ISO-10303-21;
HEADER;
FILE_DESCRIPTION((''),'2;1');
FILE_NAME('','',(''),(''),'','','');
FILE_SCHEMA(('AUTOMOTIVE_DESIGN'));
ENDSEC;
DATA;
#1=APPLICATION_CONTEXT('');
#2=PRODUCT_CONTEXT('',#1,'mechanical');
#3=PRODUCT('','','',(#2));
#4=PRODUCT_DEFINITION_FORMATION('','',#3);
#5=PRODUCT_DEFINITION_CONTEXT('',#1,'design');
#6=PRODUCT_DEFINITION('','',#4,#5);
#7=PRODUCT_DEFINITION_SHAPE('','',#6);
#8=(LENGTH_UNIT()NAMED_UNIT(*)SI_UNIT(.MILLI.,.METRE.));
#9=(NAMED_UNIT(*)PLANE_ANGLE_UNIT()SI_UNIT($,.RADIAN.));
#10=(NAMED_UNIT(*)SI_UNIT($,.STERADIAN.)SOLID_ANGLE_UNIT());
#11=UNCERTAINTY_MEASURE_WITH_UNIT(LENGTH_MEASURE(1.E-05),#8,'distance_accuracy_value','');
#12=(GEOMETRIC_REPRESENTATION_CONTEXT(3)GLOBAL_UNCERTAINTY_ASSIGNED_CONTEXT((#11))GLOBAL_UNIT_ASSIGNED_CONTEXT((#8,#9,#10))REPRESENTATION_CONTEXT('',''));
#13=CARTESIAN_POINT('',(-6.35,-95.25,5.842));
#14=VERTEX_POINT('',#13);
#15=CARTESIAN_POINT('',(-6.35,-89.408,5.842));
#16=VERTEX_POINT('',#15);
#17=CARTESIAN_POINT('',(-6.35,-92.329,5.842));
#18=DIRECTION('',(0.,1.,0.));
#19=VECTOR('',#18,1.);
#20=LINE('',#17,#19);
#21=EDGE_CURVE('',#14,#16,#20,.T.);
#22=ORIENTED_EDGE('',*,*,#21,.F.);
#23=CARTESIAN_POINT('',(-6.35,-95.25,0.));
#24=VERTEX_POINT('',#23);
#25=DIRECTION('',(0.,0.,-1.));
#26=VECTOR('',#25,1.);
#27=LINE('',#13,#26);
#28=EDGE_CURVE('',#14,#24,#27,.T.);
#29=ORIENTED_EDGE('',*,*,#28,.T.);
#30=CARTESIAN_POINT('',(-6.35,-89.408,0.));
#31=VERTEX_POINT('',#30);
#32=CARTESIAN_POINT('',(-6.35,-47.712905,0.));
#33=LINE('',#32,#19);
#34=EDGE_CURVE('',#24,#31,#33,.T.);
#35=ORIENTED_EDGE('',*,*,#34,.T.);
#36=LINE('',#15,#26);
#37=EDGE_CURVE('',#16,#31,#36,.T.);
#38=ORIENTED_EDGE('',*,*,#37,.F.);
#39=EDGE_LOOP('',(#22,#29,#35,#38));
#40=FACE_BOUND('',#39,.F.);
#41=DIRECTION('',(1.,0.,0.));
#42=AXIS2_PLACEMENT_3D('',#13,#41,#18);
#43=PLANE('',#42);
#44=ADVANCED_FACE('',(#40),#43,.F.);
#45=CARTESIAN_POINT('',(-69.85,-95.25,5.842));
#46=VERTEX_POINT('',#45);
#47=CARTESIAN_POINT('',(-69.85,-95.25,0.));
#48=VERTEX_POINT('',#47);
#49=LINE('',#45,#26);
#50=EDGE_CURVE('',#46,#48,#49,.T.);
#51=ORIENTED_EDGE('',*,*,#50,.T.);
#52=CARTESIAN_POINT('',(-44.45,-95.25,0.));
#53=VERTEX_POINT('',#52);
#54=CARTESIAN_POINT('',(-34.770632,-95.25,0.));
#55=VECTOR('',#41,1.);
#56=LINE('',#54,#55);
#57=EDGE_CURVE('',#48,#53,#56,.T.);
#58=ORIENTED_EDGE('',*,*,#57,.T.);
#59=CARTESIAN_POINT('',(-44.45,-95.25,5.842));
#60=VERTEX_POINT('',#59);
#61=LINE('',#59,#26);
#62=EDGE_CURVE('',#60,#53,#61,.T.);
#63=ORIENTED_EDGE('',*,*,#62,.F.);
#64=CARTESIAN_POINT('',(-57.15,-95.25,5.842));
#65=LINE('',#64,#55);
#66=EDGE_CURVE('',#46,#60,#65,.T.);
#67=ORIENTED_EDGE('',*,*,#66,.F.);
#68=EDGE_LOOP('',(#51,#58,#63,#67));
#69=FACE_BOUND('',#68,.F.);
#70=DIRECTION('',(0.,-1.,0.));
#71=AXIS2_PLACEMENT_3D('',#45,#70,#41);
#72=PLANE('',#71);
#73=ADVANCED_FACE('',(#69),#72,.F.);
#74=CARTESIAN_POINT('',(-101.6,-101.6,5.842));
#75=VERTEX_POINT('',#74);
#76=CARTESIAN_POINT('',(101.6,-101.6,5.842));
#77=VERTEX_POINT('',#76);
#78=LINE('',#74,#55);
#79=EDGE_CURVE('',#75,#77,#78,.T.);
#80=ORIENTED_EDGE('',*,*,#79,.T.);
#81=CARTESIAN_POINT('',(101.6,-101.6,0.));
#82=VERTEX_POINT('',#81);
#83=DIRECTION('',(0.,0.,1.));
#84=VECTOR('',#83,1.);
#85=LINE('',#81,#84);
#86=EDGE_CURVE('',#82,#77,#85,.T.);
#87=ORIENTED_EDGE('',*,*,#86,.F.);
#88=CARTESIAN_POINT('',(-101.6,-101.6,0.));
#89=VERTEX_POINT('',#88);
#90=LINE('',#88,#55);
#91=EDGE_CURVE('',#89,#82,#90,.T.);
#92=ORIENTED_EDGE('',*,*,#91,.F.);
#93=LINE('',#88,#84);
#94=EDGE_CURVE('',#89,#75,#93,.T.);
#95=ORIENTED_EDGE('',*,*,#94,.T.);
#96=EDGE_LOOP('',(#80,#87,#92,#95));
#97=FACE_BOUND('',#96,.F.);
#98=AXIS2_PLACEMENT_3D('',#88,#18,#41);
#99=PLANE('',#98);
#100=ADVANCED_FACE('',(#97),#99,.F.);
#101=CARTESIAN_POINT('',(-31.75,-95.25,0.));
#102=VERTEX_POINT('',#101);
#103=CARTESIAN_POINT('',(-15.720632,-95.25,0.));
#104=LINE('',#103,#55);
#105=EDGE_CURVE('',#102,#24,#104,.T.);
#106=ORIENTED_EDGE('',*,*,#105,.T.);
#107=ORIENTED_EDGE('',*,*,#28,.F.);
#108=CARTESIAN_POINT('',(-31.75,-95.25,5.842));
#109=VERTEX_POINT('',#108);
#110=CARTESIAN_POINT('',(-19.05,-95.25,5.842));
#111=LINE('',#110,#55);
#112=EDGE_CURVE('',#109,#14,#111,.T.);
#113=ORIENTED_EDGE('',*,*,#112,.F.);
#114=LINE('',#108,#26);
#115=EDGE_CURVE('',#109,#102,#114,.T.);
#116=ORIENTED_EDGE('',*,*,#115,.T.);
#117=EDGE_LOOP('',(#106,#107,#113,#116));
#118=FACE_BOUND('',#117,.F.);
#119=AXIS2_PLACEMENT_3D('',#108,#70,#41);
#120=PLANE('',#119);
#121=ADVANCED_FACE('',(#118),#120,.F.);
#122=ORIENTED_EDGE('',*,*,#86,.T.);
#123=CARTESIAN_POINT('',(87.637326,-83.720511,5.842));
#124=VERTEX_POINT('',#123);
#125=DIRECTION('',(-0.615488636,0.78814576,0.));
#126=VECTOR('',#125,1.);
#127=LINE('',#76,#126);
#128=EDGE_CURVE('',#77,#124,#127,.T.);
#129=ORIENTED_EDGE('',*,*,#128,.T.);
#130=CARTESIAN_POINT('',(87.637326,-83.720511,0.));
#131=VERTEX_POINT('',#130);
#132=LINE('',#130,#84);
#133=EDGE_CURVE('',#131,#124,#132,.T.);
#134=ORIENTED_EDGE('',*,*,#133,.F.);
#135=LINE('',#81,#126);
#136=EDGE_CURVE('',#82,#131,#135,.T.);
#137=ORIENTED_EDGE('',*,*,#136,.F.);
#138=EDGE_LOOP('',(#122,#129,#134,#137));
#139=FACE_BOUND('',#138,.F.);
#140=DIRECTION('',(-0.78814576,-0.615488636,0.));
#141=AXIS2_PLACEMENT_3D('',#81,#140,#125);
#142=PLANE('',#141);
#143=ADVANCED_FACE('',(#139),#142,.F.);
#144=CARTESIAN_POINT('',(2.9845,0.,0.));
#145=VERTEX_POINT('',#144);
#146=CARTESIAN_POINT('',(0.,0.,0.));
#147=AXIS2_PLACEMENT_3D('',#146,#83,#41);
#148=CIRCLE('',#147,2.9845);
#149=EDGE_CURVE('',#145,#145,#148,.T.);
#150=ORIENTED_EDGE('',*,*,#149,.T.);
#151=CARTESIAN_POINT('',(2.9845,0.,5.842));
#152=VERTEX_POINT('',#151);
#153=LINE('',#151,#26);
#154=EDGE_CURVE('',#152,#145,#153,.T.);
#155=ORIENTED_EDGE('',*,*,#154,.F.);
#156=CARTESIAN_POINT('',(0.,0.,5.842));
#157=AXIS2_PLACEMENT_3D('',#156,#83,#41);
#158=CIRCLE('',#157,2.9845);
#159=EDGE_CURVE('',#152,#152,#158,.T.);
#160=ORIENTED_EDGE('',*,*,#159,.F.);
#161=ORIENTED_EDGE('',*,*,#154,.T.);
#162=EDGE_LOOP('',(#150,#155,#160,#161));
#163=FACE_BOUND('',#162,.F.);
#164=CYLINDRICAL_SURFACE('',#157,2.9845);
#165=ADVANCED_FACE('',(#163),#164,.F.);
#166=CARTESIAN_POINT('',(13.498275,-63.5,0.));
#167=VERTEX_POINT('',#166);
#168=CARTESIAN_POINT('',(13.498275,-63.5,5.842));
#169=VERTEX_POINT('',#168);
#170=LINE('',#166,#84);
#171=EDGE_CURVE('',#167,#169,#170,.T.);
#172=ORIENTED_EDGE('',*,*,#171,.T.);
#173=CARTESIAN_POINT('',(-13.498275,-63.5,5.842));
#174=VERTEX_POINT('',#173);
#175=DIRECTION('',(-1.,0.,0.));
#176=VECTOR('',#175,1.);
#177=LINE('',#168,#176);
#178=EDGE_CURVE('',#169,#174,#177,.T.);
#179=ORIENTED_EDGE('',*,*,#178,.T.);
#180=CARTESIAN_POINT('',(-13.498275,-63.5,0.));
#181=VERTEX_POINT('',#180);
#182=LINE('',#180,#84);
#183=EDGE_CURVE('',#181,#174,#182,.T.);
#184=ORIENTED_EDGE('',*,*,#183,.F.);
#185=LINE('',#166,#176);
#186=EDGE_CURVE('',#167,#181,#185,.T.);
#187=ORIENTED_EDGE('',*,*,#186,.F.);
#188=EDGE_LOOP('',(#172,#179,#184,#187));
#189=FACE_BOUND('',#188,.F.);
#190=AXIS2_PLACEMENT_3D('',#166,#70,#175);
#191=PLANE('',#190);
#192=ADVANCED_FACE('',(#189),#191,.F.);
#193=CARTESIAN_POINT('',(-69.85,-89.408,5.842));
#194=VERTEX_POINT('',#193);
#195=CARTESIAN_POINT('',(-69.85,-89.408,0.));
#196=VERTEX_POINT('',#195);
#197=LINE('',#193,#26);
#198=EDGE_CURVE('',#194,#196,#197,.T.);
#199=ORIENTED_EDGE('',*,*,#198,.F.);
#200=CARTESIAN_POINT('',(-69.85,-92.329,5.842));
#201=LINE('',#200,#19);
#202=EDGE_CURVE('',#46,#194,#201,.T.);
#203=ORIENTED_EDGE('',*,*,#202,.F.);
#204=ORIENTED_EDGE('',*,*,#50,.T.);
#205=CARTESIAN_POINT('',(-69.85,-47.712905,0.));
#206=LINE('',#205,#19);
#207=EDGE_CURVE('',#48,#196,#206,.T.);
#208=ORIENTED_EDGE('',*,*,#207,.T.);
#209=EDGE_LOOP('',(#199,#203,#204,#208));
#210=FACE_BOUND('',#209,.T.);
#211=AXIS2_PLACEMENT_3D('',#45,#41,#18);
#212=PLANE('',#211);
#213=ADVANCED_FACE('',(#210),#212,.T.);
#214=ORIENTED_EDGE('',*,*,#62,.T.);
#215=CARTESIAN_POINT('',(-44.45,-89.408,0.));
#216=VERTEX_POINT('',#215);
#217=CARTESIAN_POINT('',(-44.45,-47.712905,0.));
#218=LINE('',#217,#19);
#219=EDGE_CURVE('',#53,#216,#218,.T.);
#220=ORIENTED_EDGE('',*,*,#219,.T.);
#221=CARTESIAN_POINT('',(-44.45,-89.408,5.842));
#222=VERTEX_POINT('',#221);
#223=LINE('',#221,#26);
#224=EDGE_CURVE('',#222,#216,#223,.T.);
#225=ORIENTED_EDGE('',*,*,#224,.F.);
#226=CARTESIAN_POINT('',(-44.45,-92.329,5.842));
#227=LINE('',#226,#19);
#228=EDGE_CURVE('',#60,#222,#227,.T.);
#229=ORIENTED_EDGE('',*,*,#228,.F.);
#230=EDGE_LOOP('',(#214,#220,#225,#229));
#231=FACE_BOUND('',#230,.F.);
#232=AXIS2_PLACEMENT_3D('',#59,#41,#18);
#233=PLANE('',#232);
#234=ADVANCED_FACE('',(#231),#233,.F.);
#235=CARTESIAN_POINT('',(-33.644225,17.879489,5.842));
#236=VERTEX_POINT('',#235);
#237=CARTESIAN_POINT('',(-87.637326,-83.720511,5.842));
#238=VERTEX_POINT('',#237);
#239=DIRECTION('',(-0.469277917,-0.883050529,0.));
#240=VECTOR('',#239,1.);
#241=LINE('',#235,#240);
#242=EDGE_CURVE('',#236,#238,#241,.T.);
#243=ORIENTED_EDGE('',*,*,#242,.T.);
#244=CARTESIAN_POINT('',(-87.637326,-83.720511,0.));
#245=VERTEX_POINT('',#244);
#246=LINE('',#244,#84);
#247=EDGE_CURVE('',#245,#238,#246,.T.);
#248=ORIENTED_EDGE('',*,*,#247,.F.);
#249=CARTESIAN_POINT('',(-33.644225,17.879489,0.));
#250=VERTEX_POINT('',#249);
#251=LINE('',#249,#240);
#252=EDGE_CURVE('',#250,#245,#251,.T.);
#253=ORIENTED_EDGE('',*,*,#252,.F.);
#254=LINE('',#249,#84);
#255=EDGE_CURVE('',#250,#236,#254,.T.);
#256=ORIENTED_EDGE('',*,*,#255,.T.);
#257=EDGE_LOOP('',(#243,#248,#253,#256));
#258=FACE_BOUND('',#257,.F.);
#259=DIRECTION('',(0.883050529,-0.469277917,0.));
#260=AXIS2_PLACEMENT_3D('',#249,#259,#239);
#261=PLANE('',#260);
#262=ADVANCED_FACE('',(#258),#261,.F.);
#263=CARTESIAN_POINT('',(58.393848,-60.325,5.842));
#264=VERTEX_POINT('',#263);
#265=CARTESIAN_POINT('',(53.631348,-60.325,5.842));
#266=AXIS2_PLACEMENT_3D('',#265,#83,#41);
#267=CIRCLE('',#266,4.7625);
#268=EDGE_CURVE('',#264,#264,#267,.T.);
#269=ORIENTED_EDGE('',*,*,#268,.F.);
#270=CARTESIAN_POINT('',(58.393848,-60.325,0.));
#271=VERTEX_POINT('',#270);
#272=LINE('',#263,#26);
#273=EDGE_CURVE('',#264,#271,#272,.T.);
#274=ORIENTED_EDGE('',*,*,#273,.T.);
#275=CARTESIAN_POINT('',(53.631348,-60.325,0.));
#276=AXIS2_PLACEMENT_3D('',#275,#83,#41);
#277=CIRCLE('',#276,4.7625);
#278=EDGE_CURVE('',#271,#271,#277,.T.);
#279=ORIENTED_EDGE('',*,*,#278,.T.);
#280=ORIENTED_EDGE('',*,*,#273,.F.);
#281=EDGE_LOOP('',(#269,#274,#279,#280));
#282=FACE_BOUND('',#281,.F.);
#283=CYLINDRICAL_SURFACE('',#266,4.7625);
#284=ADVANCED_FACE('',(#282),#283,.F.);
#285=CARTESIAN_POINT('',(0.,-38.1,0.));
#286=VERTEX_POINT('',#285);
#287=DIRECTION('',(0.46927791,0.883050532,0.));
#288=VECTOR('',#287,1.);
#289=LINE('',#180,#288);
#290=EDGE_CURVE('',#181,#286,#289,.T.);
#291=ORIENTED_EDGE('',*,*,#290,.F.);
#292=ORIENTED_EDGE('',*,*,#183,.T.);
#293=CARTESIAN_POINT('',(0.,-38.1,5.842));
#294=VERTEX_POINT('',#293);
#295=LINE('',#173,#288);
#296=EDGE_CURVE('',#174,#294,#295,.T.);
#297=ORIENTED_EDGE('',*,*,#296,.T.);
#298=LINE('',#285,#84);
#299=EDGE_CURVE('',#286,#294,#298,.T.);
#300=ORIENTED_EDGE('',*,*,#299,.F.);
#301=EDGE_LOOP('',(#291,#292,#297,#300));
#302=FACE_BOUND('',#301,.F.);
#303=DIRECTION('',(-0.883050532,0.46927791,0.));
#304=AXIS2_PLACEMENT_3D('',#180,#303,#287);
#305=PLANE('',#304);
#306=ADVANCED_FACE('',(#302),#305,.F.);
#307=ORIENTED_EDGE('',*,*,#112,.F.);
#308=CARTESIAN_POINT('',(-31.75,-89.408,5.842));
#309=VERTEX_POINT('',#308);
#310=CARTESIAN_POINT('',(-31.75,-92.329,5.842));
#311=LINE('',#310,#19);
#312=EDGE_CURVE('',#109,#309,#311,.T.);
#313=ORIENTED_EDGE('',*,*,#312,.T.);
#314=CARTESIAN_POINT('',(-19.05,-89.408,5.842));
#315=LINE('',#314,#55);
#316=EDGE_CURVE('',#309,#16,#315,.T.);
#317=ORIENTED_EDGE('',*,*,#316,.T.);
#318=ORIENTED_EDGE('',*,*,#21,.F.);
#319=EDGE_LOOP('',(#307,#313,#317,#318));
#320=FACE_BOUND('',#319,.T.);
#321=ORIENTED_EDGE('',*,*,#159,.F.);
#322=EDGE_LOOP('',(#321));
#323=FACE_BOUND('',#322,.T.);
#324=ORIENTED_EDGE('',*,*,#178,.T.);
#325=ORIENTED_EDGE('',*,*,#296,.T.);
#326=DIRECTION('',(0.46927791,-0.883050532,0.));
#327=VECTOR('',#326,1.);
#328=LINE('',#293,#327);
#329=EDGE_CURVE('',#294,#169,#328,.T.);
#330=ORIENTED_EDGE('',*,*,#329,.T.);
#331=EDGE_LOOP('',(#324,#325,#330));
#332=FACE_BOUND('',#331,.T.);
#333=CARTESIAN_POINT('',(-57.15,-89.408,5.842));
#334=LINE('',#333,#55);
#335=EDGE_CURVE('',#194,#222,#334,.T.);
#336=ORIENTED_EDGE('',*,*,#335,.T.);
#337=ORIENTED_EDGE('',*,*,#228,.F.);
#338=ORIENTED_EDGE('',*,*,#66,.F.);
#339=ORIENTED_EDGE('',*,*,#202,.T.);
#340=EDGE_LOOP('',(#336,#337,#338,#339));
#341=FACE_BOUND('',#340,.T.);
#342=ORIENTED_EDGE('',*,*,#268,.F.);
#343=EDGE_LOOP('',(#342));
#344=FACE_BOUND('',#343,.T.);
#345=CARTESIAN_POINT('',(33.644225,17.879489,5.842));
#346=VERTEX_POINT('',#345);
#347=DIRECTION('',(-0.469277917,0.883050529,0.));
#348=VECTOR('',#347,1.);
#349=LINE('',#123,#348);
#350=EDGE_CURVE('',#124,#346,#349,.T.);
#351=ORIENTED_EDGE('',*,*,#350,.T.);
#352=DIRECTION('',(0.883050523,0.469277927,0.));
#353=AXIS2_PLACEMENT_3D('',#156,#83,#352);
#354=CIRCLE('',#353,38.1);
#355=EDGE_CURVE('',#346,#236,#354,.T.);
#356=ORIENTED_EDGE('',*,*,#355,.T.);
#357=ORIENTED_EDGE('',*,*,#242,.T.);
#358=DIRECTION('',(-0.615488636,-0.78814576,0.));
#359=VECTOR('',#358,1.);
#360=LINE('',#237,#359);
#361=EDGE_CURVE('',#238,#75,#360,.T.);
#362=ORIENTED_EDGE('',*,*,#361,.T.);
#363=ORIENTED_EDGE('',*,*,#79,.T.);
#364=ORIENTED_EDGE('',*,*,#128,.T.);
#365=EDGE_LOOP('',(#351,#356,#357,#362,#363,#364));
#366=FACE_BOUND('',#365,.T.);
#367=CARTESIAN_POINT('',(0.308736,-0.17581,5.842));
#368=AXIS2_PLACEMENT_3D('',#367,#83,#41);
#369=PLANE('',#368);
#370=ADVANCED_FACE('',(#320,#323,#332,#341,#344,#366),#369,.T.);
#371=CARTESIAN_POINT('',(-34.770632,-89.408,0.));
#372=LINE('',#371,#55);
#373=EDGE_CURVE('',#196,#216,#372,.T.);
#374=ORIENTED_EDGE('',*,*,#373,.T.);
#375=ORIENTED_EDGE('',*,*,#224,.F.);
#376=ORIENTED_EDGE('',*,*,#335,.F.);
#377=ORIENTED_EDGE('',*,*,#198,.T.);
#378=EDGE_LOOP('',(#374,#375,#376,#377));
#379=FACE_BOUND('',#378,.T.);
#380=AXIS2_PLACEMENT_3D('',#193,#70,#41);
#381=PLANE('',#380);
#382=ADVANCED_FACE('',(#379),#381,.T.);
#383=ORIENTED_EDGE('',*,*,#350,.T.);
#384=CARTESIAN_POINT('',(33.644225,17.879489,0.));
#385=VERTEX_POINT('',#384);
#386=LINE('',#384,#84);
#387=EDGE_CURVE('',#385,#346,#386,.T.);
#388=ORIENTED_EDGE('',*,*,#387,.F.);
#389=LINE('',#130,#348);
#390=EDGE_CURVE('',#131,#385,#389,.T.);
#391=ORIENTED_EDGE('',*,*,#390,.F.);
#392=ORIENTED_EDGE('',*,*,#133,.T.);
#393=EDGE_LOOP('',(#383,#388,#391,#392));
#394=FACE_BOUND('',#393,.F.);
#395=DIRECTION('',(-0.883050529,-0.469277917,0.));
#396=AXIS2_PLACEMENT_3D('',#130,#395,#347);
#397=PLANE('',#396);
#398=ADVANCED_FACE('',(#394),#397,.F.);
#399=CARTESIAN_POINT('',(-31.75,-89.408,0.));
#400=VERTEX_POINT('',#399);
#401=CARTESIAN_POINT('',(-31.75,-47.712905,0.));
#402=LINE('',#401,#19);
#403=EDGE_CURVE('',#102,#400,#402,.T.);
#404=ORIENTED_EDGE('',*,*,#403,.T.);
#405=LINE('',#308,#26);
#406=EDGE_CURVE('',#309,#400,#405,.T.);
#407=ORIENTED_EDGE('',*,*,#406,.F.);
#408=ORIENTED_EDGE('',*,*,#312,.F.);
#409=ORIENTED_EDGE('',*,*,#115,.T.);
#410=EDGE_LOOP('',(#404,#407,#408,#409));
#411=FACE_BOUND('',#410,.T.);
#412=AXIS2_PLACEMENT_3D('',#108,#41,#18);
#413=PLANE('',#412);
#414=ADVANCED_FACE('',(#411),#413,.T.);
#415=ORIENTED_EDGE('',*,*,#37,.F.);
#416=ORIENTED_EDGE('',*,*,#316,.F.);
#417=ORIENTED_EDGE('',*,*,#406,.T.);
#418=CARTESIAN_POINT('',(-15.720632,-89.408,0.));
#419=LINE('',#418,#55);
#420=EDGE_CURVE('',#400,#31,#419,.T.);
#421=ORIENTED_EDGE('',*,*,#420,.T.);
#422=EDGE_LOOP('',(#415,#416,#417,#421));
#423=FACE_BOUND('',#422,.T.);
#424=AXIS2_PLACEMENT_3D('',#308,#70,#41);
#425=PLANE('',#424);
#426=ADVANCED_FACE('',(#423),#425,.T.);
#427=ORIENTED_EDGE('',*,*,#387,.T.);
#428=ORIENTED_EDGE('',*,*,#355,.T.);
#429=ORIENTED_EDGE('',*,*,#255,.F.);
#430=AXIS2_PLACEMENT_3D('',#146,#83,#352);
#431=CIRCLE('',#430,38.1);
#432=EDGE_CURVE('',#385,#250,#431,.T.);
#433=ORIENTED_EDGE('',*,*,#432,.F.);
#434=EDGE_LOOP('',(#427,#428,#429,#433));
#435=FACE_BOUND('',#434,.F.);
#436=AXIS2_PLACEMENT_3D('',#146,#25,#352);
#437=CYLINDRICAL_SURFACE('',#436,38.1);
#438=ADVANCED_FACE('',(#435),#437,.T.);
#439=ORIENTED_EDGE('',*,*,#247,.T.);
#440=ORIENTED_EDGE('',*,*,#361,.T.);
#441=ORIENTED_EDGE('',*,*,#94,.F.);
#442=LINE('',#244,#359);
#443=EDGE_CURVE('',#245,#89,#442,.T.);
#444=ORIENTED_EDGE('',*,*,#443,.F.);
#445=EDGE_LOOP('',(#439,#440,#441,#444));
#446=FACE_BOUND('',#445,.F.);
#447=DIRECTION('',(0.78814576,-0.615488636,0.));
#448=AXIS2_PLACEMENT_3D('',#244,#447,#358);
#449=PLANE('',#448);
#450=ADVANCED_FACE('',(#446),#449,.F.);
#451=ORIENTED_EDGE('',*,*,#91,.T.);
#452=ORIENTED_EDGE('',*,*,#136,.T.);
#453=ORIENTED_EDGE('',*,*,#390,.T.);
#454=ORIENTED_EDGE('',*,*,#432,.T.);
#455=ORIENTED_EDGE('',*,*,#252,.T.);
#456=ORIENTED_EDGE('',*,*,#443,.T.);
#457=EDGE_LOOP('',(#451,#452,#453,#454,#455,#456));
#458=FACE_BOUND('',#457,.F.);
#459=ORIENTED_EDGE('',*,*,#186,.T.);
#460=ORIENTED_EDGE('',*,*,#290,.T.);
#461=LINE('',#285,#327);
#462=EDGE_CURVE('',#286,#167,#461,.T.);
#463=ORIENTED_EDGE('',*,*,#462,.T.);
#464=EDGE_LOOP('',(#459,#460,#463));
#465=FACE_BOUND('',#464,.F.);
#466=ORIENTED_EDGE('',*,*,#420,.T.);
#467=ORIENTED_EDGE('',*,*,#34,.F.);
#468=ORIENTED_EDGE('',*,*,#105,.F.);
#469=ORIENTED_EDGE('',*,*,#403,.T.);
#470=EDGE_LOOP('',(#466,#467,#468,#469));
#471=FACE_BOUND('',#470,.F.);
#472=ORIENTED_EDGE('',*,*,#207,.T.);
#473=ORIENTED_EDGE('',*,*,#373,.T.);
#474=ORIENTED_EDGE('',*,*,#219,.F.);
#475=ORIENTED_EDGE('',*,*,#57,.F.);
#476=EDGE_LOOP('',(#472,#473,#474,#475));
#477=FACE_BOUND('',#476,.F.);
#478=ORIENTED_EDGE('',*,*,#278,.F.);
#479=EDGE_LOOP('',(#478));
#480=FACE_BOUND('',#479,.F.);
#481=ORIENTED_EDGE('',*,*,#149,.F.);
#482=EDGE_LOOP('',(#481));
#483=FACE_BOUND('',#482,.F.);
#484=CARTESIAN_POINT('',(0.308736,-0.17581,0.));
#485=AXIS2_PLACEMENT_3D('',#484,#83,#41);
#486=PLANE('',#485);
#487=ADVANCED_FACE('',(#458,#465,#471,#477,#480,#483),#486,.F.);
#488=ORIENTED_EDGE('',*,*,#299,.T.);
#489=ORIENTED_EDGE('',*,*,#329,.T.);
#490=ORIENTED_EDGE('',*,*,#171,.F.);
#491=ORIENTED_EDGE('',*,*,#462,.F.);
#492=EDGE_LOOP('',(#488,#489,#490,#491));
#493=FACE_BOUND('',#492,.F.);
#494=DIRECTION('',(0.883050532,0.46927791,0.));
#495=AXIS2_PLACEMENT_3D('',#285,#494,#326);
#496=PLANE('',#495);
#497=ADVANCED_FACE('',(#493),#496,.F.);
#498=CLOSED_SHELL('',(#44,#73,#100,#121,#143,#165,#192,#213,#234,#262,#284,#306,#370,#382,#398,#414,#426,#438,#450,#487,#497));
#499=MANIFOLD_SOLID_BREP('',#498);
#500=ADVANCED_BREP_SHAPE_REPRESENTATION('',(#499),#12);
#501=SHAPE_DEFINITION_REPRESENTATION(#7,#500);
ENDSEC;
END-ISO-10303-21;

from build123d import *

# Parameters (mm, degrees)
F1_DEPTH = 5.842
F2_R     = 2.9845
F2_R_2   = 4.7625
F3_DEPTH = 25.4
F4_W     = 25.4
F4_H     = 5.842
F5_DEPTH = 25.4


with BuildPart() as f1:
    # F0 (on Top) → F1 (new body)
    with BuildSketch(Plane.XY):
        with BuildLine():
            ThreePointArc((0, -38.1), (26.940768, -26.940768), (38.1, 0))
            ThreePointArc((38.1, 0), (36.969278, 9.21317), (33.644225, 17.879489))
            ThreePointArc((33.644225, 17.879489), (0, 38.1), (-33.644225, 17.879489))
            ThreePointArc((-33.644225, 17.879489), (-32.655922, -19.626532), (0, -38.1))
        make_face()
        with BuildLine():
            ThreePointArc((33.644225, 17.879489), (36.969278, 9.21317), (38.1, 0))
            ThreePointArc((38.1, 0), (26.940768, -26.940768), (0, -38.1))
            ThreePointArc((0, -38.1), (-32.655922, -19.626532), (-33.644225, 17.879489))
            Line((-33.644225, 17.879489), (-87.637326, -83.720511))
            Line((-87.637326, -83.720511), (-101.6, -101.6))
            Line((-101.6, -101.6), (-53.993101, -101.6))
            Line((-53.993101, -101.6), (53.993101, -101.6))
            Line((53.993101, -101.6), (101.6, -101.6))
            Line((101.6, -101.6), (87.637326, -83.720511))
            Line((87.637326, -83.720511), (33.644225, 17.879489))
        make_face()
        Polygon((-13.498275, -63.5), (0, -38.1), (13.498275, -63.5), (22.416117, -80.280898), (-22.416117, -80.280898), align=None, mode=Mode.SUBTRACT)
        Polygon((13.498275, -63.5), (-13.498275, -63.5), (-22.416117, -80.280898), (22.416117, -80.280898), align=None)
    extrude(amount=F1_DEPTH)

    # F2 (on face) → F3 (cut)
    with BuildSketch(Plane.XY.offset(5.842)):
        Circle(F2_R)
        with Locations((53.631348, -60.325)):
            Circle(F2_R_2)
    extrude(amount=-F3_DEPTH, mode=Mode.SUBTRACT)

    # F4 (on face) → F5 (cut)
    with BuildSketch(Plane.XY.offset(5.842)):
        with Locations((-57.15, -92.329)):
            Rectangle(F4_W, F4_H)
        with Locations((-19.05, -92.329)):
            Rectangle(F4_W, F4_H)
    extrude(amount=-F5_DEPTH, mode=Mode.SUBTRACT)


solid = f1.part
